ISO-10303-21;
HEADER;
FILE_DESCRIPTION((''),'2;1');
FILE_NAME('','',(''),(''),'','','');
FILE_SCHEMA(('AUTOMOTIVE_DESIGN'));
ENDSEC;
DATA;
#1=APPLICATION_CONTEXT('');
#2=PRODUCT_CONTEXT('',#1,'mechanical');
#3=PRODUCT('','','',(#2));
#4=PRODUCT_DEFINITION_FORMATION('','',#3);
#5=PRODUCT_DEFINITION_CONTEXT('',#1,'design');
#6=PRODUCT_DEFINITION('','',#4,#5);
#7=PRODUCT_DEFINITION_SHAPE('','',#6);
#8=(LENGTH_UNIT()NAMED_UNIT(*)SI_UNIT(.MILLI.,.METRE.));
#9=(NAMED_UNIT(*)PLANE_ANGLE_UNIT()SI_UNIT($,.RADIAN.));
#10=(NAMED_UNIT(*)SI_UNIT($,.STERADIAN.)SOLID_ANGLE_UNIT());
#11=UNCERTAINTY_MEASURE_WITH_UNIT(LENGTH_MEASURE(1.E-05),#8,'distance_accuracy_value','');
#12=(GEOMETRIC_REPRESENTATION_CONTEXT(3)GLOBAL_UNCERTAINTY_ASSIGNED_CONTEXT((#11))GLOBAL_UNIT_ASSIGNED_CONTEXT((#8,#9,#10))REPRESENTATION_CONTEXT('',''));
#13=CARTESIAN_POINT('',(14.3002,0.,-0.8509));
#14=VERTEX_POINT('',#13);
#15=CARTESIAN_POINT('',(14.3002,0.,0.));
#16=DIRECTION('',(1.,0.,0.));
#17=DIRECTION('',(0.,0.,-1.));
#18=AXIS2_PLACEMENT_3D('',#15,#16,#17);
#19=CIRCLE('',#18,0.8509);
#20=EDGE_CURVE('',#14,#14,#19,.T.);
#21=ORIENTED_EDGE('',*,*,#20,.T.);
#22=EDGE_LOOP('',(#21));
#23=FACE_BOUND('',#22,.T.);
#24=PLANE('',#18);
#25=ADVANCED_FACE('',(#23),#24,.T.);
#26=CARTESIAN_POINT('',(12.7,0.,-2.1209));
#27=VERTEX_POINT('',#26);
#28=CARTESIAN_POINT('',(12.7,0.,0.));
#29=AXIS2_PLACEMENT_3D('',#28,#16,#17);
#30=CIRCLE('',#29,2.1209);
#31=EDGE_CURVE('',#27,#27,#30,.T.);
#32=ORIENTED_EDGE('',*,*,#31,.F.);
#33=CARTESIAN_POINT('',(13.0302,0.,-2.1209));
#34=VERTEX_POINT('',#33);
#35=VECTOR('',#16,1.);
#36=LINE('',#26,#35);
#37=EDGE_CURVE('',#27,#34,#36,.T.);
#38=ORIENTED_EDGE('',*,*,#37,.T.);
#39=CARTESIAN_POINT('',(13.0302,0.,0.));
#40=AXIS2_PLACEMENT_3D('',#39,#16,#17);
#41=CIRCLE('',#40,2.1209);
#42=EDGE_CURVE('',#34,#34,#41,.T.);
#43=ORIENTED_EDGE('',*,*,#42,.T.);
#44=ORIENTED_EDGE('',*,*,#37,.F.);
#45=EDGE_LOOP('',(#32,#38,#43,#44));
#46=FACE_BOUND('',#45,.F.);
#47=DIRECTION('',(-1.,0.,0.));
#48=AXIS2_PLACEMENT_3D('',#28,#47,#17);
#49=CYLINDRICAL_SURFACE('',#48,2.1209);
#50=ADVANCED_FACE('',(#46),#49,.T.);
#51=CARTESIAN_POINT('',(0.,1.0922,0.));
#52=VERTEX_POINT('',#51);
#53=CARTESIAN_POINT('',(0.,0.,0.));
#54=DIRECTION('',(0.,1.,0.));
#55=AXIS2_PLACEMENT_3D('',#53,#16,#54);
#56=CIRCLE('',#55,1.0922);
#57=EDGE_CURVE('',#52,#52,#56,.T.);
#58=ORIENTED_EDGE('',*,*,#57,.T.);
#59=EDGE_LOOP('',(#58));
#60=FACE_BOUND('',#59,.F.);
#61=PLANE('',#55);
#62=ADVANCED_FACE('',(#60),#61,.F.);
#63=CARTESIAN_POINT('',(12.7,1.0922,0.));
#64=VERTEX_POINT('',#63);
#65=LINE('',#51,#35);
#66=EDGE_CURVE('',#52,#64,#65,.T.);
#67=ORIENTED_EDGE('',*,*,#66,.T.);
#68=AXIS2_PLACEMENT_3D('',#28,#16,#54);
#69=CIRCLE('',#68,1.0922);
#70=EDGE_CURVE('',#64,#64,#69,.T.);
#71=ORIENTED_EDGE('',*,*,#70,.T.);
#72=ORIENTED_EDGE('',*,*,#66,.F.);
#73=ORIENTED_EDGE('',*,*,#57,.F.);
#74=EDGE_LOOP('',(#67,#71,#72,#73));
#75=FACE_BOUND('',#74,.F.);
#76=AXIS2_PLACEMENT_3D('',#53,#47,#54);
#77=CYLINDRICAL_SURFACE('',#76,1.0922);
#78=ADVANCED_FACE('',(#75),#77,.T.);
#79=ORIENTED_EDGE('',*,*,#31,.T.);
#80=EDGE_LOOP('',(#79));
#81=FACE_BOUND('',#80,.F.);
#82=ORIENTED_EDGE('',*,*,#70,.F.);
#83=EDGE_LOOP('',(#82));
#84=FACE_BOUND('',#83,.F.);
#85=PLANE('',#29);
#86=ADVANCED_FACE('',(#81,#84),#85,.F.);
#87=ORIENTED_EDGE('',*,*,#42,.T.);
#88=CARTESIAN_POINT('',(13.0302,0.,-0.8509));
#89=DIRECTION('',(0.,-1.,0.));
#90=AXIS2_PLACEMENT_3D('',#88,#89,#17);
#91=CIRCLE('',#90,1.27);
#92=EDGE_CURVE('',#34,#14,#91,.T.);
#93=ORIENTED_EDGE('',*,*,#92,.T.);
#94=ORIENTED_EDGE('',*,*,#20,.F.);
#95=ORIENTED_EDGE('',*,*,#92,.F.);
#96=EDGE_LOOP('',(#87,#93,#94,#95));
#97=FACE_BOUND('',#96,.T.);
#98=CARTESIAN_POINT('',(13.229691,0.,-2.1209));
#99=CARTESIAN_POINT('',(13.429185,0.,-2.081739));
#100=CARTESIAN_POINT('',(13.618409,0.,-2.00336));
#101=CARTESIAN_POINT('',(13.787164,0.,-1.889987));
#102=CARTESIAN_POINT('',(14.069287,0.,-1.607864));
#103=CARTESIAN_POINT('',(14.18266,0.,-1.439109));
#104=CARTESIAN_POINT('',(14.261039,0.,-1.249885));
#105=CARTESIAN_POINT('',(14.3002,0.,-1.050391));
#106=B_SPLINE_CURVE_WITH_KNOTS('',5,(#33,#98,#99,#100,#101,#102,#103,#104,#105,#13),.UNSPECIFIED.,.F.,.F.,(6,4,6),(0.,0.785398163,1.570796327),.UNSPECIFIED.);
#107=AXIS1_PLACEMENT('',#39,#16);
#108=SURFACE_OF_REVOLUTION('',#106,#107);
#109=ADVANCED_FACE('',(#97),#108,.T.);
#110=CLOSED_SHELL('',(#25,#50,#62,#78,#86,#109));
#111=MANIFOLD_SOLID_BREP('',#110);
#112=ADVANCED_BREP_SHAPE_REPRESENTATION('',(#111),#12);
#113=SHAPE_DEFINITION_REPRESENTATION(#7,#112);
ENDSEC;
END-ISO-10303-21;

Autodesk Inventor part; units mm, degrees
ref_plane "YZ Plane" through (0, 0, 0) normal (1, 0, 0) x (0, 1, 0)
ref_plane "XZ Plane" through (0, 0, 0) normal (0, 1, 0) x (-1, 0, 0)
ref_plane "XY Plane" through (0, 0, 0) normal (0, 0, 1) x (1, 0, 0)
sketch "Sketch1" plane through (0, 0, 0) normal (1, 0, 0) x (0, 1, 0)
  circle A0 centre (0, 0) radius 1.0922
  dimension "d0" = 2.1844
extrude "Extrusion1" add sketch "Sketch1" along normal blind 12.7
sketch "Sketch2" plane through (12.7, 0, 0) normal (1, 0, 0) x (0, 0, -1)
  circle A0 centre (0, 0) radius 2.1209
  dimension "d3" = 4.2418
extrude "Extrusion2" add sketch "Sketch2" along normal blind 1.6002
fillet "Fillet1" radius 1.27 1 edges at (14.3002, 0, 2.1209)
thread "Thread1" size "2-56 UNC" class "2A" standard "ANSI Unified Screw Threads" full length
properties part number "2-56 screw"
